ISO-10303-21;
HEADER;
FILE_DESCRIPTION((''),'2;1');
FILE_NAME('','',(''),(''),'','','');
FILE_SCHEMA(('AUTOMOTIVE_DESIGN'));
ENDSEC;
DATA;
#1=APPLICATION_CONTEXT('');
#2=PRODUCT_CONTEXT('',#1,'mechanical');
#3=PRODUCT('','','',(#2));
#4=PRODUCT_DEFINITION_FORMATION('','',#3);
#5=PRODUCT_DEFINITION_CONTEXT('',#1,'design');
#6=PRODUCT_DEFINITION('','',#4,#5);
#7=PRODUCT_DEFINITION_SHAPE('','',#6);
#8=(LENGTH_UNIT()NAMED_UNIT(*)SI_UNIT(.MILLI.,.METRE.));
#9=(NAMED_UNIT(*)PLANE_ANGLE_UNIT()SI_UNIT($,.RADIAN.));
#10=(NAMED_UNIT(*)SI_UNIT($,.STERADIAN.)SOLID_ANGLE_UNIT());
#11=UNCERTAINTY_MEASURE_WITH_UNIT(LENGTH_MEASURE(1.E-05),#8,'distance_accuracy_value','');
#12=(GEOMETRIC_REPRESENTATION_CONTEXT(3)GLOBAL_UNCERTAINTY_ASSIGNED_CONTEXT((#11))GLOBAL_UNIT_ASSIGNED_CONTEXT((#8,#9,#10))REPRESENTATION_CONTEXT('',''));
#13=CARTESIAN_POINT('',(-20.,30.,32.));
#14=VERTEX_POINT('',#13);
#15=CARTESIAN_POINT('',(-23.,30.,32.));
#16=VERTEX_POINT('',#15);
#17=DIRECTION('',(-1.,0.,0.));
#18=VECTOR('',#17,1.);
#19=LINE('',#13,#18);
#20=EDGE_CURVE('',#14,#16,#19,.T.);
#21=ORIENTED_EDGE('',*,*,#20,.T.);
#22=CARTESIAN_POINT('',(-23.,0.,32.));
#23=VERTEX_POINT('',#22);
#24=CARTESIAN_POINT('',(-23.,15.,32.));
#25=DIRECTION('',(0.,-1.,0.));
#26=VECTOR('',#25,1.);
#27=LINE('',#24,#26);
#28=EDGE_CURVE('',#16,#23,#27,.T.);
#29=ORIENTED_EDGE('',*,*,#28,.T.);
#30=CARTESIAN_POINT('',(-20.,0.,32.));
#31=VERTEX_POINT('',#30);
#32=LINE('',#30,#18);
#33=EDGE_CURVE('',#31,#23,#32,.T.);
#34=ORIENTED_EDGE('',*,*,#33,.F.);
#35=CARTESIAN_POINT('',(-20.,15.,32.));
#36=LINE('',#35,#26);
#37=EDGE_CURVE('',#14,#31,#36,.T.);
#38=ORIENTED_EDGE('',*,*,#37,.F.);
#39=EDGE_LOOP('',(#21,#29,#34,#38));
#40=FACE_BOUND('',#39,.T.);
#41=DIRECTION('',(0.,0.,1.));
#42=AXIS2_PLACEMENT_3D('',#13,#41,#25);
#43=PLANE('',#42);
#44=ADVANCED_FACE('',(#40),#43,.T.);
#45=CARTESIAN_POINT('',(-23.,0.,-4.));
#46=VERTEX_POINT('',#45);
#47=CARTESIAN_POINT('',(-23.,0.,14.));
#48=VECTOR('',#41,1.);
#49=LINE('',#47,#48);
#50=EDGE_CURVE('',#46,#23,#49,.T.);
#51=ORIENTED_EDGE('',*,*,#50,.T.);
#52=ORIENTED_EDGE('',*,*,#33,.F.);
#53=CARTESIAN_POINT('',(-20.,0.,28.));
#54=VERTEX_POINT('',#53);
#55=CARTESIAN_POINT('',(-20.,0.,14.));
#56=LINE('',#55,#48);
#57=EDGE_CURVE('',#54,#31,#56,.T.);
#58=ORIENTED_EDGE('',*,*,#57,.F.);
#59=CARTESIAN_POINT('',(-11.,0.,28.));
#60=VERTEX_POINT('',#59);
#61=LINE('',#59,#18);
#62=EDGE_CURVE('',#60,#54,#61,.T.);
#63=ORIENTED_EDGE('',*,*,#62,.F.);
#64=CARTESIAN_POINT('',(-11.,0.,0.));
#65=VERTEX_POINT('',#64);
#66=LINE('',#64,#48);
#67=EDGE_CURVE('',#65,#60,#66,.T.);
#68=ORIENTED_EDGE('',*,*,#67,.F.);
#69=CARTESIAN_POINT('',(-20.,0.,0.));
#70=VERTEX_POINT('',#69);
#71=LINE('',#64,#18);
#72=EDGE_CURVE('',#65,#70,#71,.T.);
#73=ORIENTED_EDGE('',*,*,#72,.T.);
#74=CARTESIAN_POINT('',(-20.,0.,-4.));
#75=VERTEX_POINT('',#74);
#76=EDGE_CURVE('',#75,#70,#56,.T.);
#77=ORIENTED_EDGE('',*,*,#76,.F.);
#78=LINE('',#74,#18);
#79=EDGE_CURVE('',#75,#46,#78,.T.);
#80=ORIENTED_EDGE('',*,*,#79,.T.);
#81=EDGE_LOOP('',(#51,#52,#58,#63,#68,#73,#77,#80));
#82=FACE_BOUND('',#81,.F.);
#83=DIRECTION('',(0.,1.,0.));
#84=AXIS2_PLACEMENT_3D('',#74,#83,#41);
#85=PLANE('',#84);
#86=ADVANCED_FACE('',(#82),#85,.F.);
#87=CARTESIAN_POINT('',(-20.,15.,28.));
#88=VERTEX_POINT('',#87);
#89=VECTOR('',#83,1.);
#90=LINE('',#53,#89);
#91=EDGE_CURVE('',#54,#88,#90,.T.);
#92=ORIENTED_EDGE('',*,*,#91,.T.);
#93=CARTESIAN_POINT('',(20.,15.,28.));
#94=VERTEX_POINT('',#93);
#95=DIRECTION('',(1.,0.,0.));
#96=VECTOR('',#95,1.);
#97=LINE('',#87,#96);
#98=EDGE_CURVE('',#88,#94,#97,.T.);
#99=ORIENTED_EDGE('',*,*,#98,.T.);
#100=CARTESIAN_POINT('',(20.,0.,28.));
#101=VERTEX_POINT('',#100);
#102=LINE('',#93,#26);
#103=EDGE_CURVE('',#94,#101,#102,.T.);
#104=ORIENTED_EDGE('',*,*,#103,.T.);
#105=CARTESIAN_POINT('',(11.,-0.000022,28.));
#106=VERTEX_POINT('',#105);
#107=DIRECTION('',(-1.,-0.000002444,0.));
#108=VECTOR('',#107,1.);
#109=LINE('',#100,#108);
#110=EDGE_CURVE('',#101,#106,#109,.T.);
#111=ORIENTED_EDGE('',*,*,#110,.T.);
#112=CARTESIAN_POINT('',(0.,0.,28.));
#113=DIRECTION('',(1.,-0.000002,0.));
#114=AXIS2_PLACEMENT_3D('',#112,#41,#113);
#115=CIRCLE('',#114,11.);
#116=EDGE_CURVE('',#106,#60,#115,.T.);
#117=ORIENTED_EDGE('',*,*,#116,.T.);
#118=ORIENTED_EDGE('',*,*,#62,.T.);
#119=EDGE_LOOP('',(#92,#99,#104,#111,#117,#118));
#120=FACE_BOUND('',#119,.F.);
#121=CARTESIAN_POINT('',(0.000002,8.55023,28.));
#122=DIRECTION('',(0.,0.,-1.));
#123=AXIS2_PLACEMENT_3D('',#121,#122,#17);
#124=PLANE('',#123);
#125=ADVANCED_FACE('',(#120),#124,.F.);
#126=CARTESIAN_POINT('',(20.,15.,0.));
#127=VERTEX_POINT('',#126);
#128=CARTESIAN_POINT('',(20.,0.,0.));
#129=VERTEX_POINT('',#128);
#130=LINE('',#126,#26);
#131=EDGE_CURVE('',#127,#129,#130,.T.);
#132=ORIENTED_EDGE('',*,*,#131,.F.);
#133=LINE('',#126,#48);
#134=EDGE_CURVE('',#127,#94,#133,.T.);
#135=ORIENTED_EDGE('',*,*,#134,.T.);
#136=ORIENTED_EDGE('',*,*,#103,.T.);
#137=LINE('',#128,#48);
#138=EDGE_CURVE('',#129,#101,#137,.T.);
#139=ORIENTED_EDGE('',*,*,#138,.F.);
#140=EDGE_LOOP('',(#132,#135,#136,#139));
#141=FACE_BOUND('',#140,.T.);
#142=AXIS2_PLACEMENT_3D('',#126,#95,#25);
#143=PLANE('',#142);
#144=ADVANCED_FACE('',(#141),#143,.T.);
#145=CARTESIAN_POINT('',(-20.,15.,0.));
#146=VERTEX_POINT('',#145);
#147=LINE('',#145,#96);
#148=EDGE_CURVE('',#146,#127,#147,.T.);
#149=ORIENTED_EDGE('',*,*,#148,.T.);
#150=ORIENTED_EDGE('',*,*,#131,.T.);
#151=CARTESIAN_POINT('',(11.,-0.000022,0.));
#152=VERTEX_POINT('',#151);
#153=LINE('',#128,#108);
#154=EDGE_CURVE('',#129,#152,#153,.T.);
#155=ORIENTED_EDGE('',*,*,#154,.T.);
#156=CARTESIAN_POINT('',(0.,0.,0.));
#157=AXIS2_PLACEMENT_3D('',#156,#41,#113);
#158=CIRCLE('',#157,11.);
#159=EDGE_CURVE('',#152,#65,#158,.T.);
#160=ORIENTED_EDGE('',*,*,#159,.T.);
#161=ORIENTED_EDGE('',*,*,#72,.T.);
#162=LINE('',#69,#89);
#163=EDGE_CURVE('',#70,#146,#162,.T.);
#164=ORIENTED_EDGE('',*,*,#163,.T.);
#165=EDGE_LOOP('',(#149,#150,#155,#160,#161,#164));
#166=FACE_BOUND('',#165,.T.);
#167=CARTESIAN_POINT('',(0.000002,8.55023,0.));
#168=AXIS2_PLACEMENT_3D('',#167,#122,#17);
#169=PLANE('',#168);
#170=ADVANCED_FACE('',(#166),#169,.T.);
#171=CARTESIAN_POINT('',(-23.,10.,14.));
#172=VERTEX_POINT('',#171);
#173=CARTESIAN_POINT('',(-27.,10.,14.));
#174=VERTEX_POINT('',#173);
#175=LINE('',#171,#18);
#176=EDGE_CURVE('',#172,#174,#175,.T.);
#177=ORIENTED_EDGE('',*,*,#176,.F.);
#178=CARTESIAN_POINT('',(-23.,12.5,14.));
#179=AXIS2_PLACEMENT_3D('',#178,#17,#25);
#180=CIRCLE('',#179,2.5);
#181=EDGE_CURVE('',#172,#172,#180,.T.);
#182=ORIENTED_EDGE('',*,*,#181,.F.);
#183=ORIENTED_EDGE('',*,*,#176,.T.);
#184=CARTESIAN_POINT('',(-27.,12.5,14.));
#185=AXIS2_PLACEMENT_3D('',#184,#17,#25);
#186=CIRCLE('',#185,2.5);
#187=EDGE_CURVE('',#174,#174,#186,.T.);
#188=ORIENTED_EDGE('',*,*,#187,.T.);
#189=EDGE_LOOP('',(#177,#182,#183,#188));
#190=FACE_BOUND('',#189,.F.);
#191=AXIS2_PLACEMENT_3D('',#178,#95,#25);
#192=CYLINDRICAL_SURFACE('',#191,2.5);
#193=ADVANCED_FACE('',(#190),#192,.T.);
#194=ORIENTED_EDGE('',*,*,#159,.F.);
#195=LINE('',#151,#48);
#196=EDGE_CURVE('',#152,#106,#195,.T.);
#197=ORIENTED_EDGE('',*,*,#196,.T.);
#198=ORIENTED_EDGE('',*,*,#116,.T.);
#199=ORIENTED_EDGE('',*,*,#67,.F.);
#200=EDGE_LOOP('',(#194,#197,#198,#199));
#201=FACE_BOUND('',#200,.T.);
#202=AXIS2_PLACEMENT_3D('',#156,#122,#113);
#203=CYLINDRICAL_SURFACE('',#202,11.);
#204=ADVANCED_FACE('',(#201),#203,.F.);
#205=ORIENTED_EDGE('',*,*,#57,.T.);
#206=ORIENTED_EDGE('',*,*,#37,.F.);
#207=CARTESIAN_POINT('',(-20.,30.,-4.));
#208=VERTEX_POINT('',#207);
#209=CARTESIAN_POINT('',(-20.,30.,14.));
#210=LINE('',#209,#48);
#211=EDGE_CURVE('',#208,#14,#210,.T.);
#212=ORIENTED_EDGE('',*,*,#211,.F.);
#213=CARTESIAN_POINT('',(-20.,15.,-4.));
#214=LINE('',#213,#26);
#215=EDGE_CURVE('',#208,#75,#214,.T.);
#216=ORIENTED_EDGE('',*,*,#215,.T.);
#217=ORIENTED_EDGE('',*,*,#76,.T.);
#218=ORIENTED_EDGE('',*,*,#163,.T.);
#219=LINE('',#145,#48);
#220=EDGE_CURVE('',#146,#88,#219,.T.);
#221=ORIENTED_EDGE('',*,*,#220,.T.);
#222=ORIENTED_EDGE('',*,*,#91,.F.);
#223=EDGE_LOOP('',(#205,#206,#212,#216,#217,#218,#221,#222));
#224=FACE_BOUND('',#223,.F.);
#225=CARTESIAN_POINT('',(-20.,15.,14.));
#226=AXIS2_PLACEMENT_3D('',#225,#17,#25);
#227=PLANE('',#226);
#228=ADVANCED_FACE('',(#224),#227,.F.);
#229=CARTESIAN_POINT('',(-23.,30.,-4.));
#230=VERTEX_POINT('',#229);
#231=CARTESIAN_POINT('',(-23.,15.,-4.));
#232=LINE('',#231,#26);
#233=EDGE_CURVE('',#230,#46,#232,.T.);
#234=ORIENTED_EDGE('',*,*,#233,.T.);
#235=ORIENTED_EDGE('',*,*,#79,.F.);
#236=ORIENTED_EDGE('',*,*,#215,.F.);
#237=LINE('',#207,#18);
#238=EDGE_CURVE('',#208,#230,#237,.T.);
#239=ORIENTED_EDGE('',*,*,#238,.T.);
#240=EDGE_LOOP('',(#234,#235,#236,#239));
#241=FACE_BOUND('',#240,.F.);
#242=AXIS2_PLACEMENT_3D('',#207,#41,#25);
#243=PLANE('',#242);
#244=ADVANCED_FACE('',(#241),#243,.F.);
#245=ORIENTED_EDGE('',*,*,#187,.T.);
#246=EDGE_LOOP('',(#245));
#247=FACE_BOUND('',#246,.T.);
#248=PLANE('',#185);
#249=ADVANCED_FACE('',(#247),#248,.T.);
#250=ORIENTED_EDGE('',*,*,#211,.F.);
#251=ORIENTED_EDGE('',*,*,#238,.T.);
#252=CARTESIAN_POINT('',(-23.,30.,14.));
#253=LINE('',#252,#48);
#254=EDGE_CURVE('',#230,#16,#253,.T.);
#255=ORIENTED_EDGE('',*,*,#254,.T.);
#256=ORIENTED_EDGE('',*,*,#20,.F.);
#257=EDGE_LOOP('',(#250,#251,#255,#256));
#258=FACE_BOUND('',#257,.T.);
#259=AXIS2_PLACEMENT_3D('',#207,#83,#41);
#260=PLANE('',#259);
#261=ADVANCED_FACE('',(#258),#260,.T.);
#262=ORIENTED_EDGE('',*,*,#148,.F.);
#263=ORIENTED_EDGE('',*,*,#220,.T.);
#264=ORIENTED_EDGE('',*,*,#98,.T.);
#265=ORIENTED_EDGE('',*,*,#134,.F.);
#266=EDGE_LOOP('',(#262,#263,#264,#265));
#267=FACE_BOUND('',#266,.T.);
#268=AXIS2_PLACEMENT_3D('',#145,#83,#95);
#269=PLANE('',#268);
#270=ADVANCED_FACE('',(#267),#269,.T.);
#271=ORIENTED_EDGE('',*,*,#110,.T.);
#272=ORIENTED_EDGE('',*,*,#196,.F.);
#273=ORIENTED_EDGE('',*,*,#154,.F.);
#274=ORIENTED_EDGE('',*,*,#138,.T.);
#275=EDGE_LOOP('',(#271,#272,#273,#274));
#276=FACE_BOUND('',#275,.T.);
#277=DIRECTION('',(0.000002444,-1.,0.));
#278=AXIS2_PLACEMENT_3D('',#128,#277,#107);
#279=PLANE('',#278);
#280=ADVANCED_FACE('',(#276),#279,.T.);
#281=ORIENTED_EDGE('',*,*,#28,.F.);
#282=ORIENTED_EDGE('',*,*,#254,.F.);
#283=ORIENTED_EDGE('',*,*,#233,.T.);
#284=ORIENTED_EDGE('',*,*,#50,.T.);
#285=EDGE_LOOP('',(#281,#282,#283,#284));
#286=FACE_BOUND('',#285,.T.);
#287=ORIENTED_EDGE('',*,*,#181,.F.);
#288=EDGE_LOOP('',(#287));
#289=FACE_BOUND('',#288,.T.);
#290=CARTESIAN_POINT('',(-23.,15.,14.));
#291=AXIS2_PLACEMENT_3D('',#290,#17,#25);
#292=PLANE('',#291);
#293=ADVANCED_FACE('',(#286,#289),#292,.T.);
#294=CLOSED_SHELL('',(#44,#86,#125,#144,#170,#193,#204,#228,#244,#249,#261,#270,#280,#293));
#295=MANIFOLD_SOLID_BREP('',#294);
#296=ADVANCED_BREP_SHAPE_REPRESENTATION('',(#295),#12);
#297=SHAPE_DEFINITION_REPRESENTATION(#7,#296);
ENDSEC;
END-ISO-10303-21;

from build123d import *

# Parameters (mm, degrees)
PAD_DEPTH    = 28
SKETCH001_W  = 30
SKETCH001_H  = 36
PAD001_DEPTH = 3
SKETCH002_R  = 2.5
PAD002_DEPTH = 4


with BuildPart() as part:
    # Sketch → Pad (new body)
    with BuildSketch(Plane.XY):
        with BuildLine():
            Line((-20, 15), (20, 15))
            Line((20, 15), (20, 0))
            Line((20, 0), (11, -2.2e-05))
            ThreePointArc((11, -2.2e-05), (1.1e-05, 11), (-11, 0))
            Line((-11, 0), (-20, 0))
            Line((-20, 0), (-20, 15))
        make_face()
    extrude(amount=PAD_DEPTH)

    # Sketch001 (on Face6 of Pad) → Pad001 (join)
    with BuildSketch(Plane(origin=(-20, 0, 0), x_dir=(0, -1, 0), z_dir=(-1, 0, 0))):
        with Locations((-15, 14)):
            Rectangle(SKETCH001_W, SKETCH001_H)
    extrude(amount=PAD001_DEPTH)

    # Sketch002 (on Face5 of Pad001) → Pad002 (join)
    with BuildSketch(Plane(origin=(-23, 0, 0), x_dir=(0, -1, 0), z_dir=(-1, 0, 0))):
        with Locations((-12.5, 14)):
            Circle(SKETCH002_R)
    extrude(amount=PAD002_DEPTH)


solid = part.part
